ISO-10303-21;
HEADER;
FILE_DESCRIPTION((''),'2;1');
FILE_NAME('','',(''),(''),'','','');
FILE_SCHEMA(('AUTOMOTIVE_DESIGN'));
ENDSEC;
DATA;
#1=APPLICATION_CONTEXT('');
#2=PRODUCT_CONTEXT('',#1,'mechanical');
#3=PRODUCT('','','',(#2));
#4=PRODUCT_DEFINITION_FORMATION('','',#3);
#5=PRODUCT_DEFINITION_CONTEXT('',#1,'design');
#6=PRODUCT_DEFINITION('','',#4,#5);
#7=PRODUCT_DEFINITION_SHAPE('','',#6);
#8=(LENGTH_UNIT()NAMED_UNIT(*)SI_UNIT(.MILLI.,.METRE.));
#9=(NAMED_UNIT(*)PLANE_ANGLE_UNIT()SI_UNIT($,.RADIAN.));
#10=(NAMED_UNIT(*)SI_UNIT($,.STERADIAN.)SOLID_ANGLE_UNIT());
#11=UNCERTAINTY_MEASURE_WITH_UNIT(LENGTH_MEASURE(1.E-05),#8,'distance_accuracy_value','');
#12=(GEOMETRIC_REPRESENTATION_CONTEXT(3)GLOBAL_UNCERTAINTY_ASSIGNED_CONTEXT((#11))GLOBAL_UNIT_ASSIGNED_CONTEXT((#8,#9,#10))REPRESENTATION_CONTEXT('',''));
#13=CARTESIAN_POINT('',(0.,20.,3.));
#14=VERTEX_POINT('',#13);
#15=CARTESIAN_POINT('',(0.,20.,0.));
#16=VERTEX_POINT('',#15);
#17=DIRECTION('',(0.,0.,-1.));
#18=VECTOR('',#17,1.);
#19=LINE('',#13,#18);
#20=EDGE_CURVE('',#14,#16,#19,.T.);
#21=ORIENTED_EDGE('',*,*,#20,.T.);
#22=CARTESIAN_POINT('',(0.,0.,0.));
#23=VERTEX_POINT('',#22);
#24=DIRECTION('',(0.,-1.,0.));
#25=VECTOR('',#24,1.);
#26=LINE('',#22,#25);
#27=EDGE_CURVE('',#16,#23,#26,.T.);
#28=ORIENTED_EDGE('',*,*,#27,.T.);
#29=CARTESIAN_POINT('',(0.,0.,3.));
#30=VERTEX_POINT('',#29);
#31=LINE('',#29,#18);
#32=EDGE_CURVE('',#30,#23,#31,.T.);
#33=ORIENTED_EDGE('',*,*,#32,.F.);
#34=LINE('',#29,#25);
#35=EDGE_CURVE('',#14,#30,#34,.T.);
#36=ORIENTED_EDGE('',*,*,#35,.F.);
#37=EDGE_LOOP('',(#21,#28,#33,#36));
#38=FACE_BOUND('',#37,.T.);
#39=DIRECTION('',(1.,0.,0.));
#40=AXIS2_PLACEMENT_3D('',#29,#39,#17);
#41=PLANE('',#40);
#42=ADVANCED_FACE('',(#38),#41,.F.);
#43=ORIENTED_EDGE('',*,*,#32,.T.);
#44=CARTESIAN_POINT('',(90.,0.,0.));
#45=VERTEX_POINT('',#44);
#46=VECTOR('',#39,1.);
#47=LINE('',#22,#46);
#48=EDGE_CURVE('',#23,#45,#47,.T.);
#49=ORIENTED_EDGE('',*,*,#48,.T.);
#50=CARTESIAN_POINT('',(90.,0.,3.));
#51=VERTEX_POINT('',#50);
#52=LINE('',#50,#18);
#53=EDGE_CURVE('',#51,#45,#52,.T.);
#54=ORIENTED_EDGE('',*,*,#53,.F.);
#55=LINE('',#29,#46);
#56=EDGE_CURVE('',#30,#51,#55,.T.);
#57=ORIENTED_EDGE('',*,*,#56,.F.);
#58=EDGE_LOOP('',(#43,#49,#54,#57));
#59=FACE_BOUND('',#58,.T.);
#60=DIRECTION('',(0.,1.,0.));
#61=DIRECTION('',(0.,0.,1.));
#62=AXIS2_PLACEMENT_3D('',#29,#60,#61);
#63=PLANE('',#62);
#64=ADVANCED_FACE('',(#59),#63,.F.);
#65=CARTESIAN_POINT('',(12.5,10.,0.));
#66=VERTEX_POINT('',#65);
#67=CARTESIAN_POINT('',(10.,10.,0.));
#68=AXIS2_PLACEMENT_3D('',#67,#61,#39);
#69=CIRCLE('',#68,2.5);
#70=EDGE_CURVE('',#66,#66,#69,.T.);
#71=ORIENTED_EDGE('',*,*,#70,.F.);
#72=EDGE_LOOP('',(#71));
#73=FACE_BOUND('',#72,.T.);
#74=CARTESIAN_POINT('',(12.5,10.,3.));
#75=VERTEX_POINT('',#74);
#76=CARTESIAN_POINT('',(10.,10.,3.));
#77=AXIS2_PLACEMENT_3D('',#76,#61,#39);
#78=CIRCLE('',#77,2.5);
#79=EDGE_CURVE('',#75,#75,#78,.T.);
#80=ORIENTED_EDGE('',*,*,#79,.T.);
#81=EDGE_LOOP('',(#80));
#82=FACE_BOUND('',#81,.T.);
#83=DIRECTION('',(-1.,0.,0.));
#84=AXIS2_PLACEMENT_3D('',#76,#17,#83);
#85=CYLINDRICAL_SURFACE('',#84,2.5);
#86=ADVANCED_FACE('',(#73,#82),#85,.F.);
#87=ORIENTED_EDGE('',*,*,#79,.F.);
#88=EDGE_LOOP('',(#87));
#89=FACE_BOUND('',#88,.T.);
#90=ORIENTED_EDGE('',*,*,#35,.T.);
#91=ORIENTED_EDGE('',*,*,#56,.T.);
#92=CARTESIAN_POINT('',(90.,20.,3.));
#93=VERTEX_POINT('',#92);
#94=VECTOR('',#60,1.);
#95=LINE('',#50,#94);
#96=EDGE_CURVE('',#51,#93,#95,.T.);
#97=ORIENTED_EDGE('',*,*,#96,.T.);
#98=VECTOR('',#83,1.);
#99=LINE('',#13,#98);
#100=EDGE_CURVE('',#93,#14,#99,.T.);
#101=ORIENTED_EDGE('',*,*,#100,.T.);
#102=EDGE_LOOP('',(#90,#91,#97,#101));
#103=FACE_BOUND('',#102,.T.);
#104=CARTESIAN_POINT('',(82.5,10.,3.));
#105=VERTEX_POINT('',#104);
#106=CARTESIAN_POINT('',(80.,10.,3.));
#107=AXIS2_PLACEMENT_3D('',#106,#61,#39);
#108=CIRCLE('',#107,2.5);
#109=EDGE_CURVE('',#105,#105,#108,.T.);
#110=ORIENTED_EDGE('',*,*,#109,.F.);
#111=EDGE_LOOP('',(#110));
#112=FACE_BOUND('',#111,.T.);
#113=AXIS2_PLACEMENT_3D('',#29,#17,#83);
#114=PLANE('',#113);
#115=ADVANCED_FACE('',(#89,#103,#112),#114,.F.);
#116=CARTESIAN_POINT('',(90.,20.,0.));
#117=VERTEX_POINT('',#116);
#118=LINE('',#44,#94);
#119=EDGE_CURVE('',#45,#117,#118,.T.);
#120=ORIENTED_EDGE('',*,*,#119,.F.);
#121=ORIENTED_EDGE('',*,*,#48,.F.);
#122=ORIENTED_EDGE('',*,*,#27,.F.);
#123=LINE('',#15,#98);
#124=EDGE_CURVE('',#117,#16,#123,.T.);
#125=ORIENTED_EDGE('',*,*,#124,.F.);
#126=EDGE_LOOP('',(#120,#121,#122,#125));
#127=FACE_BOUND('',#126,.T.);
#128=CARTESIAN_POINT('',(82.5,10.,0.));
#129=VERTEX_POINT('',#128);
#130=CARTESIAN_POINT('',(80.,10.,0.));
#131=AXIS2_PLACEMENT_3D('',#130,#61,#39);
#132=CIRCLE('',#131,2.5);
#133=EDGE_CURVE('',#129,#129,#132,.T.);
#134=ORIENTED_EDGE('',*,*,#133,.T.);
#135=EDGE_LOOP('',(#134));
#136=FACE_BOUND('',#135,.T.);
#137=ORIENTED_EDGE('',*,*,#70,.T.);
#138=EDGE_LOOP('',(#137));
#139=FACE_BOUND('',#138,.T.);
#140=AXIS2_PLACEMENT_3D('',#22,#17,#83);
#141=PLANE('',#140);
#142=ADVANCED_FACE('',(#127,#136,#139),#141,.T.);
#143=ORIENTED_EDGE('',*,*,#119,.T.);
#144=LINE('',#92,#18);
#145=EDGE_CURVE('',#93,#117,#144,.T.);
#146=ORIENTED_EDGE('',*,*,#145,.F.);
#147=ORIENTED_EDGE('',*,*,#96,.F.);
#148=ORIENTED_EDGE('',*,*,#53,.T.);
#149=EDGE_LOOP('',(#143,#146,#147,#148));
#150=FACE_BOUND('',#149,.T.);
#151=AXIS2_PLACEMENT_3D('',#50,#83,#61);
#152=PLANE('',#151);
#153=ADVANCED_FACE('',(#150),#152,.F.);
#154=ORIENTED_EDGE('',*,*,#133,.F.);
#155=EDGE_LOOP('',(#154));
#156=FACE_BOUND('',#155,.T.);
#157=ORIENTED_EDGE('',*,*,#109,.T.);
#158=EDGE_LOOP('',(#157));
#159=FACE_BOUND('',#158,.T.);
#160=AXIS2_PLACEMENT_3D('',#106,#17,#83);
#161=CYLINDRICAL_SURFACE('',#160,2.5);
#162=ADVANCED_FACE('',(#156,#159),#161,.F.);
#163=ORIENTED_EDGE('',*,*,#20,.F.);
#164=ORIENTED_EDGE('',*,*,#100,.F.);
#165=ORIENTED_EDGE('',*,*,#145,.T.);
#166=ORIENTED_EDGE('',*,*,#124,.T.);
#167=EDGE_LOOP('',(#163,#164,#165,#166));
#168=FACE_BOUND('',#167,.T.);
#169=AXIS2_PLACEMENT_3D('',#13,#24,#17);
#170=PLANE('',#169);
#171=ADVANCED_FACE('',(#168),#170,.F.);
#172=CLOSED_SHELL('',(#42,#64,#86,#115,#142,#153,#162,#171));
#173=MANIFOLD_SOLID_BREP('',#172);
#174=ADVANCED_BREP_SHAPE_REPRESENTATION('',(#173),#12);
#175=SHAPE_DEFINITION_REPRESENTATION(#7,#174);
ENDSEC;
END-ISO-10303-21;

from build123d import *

# Parameters (mm, degrees)
SKETCH1_W           = 90
SKETCH1_H           = 20
SKETCH1_R           = 2.5
BOSS_EXTRUDE1_DEPTH = 3


with BuildPart() as part:
    # Sketch1 → Boss-Extrude1 (new body)
    with BuildSketch(Plane.XY):
        with Locations((45, 10)):
            Rectangle(SKETCH1_W, SKETCH1_H)
        with Locations((10, 10)):
            Circle(SKETCH1_R, mode=Mode.SUBTRACT)
        with Locations((80, 10)):
            Circle(SKETCH1_R, mode=Mode.SUBTRACT)
    extrude(amount=BOSS_EXTRUDE1_DEPTH)


solid = part.part
